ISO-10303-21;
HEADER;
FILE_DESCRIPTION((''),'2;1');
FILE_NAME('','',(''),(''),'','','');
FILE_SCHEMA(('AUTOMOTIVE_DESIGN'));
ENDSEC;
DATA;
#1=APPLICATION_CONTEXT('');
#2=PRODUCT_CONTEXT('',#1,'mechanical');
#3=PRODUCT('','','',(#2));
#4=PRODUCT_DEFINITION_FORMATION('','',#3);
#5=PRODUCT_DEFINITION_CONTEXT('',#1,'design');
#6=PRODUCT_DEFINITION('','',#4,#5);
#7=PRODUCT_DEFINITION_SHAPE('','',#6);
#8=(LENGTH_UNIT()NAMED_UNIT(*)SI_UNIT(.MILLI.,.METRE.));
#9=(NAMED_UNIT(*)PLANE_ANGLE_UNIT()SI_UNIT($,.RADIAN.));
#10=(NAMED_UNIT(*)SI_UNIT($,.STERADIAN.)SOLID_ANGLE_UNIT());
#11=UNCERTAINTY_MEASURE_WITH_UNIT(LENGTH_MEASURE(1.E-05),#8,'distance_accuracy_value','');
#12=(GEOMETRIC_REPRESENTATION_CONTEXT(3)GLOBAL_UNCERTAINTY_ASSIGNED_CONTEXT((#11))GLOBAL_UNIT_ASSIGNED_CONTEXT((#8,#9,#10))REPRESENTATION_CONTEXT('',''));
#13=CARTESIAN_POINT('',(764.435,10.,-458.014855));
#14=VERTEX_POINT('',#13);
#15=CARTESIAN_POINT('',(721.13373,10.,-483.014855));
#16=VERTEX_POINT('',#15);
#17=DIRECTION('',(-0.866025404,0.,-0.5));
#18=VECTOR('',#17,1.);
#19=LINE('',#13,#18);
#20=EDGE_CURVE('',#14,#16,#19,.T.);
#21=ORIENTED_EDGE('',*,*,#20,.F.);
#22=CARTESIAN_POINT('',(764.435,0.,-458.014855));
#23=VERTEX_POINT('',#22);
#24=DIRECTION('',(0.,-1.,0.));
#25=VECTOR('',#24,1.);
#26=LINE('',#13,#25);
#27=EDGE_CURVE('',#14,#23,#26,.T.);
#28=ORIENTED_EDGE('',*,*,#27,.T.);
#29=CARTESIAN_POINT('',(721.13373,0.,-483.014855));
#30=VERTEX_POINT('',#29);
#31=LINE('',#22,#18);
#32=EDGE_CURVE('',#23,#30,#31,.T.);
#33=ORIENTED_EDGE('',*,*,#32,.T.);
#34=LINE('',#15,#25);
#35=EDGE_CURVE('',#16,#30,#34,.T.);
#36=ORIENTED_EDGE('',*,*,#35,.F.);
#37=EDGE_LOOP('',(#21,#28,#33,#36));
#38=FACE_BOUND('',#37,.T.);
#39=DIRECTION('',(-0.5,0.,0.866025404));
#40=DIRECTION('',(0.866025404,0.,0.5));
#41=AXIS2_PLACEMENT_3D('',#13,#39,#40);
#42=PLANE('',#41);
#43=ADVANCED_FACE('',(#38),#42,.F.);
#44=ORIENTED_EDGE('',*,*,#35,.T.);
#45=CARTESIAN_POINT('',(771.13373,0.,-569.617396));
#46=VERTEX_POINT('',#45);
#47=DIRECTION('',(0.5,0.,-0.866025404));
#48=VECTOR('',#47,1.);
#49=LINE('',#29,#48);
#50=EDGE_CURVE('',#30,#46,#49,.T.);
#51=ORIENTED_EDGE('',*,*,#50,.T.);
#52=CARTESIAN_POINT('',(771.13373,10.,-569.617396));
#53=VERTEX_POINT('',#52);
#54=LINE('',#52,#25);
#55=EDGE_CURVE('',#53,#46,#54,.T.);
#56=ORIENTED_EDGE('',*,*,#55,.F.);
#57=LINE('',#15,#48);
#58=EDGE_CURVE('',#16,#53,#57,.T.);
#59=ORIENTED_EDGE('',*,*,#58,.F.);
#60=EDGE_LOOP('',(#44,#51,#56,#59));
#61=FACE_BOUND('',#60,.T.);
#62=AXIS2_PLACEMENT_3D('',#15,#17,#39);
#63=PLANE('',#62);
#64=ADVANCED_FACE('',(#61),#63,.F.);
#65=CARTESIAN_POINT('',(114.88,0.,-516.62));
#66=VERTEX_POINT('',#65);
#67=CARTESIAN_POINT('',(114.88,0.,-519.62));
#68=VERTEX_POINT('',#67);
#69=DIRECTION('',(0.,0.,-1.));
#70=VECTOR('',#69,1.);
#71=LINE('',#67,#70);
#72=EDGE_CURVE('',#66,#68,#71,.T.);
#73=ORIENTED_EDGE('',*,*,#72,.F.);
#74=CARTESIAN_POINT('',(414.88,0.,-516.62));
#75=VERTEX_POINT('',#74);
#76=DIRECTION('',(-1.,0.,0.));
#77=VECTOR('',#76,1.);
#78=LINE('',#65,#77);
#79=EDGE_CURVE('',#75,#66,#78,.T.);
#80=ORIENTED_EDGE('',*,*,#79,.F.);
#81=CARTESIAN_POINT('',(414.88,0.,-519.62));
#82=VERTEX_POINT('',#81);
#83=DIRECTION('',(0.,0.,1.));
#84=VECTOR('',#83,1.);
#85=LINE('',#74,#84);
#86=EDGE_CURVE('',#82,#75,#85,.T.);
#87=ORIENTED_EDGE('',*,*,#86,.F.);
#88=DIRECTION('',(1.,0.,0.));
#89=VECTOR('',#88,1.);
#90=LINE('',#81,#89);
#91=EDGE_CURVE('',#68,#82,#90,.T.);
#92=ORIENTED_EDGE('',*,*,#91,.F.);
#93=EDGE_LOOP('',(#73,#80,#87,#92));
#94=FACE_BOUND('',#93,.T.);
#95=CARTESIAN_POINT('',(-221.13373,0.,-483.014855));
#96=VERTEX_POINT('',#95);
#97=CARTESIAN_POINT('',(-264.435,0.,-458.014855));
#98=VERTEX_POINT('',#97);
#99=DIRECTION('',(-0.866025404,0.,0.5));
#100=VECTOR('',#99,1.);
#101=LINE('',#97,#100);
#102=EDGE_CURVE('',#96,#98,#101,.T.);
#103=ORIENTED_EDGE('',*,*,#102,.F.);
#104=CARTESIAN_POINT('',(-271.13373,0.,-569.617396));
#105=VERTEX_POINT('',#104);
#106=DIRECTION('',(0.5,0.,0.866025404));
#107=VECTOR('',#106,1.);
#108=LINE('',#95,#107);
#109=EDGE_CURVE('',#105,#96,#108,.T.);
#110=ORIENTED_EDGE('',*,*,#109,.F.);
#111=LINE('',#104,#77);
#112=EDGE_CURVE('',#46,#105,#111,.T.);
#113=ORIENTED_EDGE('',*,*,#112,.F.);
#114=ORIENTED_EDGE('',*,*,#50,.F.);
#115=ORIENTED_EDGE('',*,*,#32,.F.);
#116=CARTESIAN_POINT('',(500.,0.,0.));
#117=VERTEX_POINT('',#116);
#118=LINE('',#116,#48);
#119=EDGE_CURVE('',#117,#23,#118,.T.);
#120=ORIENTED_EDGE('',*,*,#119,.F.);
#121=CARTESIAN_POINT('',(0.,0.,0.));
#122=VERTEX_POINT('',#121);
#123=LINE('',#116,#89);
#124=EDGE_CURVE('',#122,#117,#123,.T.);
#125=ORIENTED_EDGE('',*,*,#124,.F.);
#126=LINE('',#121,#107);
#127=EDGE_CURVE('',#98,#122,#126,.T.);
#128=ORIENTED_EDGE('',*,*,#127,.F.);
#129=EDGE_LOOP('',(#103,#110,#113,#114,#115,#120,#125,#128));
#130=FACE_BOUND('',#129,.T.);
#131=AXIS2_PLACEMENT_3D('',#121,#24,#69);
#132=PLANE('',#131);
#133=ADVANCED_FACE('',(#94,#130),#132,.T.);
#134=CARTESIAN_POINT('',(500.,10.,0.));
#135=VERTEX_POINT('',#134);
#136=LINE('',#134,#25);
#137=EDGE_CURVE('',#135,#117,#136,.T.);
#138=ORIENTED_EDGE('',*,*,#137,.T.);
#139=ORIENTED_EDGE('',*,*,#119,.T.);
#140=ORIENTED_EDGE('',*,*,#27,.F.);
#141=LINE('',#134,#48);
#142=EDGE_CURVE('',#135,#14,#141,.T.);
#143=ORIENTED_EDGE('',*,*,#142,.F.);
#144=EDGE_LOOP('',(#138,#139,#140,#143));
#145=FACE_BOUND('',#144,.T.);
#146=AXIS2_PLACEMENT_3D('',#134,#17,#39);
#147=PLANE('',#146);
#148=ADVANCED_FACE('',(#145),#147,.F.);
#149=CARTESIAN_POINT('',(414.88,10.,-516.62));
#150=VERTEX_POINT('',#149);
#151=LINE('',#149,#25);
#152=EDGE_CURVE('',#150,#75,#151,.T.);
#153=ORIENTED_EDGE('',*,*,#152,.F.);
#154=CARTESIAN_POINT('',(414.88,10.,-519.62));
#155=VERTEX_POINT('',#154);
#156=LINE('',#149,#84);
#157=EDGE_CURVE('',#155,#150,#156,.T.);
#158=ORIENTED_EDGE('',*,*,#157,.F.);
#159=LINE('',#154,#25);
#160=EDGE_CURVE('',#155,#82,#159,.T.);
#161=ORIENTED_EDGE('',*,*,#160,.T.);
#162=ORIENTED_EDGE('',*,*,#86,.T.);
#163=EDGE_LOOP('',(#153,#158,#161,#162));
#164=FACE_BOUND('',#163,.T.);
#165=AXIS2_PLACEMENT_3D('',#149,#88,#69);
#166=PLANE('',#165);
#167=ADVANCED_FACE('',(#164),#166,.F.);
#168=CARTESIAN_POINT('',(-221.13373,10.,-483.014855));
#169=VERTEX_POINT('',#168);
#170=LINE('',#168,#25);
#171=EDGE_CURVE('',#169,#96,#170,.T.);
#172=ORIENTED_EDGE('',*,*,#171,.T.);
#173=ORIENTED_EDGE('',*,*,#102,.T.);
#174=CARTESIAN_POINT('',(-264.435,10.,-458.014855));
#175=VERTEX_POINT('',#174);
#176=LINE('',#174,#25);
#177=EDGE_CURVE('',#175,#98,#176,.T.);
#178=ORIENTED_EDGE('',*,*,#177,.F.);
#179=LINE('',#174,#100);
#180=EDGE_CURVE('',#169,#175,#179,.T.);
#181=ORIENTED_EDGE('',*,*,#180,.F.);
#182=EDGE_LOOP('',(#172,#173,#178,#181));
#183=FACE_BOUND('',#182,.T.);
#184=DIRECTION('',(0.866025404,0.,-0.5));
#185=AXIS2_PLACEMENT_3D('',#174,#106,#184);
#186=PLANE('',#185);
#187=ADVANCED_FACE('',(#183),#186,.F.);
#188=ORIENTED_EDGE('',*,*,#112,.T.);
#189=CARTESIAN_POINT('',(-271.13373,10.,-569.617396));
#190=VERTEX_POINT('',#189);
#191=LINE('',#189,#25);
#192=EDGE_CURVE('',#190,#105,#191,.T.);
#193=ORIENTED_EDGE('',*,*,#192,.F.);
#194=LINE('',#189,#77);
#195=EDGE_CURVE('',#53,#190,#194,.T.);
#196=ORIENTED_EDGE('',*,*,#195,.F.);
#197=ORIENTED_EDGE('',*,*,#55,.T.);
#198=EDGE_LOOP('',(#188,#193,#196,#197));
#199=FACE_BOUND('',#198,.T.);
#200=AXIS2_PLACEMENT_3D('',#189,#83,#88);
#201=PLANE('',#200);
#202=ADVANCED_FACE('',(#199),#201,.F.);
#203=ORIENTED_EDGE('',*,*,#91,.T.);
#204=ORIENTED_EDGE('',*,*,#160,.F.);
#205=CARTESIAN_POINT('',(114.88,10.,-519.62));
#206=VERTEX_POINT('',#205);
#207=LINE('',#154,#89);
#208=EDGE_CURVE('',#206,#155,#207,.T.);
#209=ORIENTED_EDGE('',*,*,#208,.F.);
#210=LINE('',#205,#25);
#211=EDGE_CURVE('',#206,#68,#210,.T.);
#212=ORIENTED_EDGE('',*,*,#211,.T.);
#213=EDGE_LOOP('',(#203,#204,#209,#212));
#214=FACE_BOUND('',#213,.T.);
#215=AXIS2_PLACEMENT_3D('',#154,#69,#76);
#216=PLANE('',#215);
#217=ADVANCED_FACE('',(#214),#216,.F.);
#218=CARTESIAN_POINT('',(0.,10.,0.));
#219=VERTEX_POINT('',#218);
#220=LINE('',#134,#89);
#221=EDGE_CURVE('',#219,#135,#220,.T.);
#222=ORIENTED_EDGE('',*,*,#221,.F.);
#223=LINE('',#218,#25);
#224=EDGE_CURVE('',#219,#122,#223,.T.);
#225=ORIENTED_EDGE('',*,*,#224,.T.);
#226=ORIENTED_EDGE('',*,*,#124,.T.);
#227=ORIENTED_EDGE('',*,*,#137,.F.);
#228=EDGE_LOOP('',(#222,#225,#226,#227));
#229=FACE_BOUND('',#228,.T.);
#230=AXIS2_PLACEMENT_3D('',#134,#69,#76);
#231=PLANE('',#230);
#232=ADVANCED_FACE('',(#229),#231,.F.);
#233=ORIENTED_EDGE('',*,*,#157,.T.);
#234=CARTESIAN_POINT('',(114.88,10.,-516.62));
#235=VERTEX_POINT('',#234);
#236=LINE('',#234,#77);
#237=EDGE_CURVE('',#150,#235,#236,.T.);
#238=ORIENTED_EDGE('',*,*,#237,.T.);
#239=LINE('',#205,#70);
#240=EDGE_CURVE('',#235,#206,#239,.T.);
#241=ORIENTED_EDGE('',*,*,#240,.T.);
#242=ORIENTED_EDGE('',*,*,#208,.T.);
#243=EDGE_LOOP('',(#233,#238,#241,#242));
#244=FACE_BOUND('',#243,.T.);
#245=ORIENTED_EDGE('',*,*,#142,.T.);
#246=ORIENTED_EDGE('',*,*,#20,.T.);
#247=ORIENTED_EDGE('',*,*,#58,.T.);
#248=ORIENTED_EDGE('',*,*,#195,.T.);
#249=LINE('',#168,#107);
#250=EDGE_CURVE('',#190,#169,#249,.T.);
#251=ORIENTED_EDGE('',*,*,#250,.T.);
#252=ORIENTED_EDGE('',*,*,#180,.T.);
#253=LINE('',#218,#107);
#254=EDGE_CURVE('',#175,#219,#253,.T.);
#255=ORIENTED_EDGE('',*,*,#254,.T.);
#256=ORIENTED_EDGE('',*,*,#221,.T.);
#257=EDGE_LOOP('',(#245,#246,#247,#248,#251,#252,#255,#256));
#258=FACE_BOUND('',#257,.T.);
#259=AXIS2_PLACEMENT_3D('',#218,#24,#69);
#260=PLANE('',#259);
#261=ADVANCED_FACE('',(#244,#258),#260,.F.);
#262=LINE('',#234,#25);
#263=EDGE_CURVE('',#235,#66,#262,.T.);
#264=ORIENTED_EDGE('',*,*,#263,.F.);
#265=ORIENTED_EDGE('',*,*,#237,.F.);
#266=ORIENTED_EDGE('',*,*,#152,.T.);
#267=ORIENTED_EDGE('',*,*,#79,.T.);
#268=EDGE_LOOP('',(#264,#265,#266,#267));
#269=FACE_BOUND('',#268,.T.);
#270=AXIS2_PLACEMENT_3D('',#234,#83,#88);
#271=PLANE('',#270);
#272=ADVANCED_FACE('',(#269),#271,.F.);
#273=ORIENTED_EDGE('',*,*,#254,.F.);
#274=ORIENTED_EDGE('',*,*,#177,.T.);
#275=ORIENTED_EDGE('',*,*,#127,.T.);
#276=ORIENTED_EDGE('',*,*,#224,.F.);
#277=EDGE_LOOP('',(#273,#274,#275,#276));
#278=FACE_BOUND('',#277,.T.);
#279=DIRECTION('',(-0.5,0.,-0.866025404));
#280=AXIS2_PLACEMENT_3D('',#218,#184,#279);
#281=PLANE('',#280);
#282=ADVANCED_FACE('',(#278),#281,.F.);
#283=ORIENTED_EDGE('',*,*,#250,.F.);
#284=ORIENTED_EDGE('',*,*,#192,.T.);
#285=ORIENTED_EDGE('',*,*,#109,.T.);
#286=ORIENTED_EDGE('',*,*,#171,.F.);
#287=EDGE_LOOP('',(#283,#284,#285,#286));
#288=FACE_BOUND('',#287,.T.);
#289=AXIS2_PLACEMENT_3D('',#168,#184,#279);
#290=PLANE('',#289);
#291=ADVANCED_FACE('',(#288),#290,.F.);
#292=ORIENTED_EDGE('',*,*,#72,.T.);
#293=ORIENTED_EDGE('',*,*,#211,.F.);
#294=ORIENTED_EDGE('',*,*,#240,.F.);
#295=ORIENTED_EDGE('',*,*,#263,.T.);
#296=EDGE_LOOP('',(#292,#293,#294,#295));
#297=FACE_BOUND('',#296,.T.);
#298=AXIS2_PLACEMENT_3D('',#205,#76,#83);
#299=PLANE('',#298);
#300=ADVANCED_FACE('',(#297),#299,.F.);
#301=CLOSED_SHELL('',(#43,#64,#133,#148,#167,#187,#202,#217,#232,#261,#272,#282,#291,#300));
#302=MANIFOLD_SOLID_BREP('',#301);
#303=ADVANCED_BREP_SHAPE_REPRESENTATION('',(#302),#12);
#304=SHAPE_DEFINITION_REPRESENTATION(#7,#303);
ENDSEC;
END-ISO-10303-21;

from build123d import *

# Parameters (mm, degrees)
BOSS_EXTRUDE1_DEPTH = 10
SKETCH2_W           = 300
SKETCH2_H           = 3
CUT_EXTRUDE1_DEPTH  = 959.755029562


with BuildPart() as part:
    # Sketch1 → Boss-Extrude1 (new body)
    with BuildSketch(Plane(origin=(0, 0, 0), x_dir=(1, 0, 0), z_dir=(0, 1, 0))):
        Polygon((-271.133729811, 569.617395678), (771.133729811, 569.617395678), (721.133729811, 483.014855299), (764.435, 458.014855299), (500, 0), (0, 0), (-264.435, 458.014855299), (-221.133729811, 483.014855299), align=None)
    extrude(amount=BOSS_EXTRUDE1_DEPTH)

    # Sketch2 → Cut-Extrude1 (cut, through all)
    with BuildSketch(Plane.XZ):
        with Locations((264.88, -518.12)):
            Rectangle(SKETCH2_W, SKETCH2_H)
    extrude(amount=-CUT_EXTRUDE1_DEPTH, mode=Mode.SUBTRACT)


solid = part.part
